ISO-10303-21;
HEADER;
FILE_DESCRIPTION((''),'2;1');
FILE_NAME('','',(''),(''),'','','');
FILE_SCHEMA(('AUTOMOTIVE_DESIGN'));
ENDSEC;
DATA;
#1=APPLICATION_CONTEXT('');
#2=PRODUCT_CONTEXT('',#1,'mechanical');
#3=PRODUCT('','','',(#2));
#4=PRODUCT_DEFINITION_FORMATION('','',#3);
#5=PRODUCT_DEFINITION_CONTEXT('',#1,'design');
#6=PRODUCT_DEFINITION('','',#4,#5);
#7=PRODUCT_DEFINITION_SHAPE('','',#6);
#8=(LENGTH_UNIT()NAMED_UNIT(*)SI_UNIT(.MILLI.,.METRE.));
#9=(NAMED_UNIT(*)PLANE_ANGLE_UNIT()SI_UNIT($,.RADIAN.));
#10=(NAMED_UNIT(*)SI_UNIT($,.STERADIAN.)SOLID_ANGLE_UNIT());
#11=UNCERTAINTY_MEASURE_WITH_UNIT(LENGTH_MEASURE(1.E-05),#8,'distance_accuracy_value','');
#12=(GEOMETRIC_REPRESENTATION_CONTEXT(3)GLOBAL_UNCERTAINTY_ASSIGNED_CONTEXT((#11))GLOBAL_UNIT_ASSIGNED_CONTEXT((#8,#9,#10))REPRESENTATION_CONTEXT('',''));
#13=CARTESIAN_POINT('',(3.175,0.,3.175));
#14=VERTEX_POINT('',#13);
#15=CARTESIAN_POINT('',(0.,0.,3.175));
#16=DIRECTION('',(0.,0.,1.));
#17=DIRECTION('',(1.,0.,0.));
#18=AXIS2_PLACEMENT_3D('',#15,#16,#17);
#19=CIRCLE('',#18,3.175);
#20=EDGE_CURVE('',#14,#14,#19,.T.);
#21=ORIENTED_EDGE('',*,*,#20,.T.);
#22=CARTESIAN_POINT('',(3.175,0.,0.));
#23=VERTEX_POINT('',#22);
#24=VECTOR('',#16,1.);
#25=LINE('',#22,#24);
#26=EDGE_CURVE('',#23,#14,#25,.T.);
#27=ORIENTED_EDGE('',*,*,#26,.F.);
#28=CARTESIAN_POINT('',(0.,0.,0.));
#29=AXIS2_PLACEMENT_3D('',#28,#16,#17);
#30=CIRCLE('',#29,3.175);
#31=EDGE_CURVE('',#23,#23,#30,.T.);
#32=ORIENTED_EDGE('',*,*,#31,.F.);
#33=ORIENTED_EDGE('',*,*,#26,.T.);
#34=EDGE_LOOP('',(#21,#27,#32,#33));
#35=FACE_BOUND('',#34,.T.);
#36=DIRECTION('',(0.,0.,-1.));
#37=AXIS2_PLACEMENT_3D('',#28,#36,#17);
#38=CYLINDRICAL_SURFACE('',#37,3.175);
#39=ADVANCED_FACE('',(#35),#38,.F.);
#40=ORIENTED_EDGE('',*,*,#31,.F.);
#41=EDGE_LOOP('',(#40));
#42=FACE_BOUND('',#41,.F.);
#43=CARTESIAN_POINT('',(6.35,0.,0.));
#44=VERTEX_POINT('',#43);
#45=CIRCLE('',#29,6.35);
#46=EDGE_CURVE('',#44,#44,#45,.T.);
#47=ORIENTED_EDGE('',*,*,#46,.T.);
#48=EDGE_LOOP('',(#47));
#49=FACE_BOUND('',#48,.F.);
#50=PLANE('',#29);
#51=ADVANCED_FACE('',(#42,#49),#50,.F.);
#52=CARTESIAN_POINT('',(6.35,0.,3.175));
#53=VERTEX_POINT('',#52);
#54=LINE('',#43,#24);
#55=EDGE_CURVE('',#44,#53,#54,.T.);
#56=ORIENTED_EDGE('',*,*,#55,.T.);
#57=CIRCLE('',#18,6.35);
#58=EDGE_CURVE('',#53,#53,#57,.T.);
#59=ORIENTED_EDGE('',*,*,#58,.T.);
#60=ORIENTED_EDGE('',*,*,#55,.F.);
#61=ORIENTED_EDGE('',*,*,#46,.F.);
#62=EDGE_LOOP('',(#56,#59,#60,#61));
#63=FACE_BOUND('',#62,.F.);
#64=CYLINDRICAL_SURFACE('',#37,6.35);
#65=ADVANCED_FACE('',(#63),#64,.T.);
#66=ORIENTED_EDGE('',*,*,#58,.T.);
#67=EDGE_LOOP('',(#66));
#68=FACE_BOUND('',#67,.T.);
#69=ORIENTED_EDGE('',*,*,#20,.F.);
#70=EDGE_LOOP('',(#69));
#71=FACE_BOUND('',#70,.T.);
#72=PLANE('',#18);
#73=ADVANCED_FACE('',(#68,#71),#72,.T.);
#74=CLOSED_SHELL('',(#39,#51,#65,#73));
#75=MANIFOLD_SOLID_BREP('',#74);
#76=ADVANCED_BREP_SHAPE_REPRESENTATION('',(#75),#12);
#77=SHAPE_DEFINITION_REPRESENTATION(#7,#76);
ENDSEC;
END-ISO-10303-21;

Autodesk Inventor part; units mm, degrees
ref_plane "YZ Plane" through (0, 0, 0) normal (1, 0, 0) x (0, 1, 0)
ref_plane "XZ Plane" through (0, 0, 0) normal (0, 1, 0) x (-1, 0, 0)
ref_plane "XY Plane" through (0, 0, 0) normal (0, 0, 1) x (1, 0, 0)
sketch "Sketch1" plane through (0, 0, 0) normal (0, 0, 1) x (1, 0, 0)
  circle A0 centre (0, 0) radius 3.175
  circle A1 centre (0, 0) radius 6.35
  dimension "d0" = 6.35
  dimension "d1" = 12.7
extrude "Extrusion1" add sketch "Sketch1" along normal blind 3.175
properties part number "Spacer" material "UHMW, White"
